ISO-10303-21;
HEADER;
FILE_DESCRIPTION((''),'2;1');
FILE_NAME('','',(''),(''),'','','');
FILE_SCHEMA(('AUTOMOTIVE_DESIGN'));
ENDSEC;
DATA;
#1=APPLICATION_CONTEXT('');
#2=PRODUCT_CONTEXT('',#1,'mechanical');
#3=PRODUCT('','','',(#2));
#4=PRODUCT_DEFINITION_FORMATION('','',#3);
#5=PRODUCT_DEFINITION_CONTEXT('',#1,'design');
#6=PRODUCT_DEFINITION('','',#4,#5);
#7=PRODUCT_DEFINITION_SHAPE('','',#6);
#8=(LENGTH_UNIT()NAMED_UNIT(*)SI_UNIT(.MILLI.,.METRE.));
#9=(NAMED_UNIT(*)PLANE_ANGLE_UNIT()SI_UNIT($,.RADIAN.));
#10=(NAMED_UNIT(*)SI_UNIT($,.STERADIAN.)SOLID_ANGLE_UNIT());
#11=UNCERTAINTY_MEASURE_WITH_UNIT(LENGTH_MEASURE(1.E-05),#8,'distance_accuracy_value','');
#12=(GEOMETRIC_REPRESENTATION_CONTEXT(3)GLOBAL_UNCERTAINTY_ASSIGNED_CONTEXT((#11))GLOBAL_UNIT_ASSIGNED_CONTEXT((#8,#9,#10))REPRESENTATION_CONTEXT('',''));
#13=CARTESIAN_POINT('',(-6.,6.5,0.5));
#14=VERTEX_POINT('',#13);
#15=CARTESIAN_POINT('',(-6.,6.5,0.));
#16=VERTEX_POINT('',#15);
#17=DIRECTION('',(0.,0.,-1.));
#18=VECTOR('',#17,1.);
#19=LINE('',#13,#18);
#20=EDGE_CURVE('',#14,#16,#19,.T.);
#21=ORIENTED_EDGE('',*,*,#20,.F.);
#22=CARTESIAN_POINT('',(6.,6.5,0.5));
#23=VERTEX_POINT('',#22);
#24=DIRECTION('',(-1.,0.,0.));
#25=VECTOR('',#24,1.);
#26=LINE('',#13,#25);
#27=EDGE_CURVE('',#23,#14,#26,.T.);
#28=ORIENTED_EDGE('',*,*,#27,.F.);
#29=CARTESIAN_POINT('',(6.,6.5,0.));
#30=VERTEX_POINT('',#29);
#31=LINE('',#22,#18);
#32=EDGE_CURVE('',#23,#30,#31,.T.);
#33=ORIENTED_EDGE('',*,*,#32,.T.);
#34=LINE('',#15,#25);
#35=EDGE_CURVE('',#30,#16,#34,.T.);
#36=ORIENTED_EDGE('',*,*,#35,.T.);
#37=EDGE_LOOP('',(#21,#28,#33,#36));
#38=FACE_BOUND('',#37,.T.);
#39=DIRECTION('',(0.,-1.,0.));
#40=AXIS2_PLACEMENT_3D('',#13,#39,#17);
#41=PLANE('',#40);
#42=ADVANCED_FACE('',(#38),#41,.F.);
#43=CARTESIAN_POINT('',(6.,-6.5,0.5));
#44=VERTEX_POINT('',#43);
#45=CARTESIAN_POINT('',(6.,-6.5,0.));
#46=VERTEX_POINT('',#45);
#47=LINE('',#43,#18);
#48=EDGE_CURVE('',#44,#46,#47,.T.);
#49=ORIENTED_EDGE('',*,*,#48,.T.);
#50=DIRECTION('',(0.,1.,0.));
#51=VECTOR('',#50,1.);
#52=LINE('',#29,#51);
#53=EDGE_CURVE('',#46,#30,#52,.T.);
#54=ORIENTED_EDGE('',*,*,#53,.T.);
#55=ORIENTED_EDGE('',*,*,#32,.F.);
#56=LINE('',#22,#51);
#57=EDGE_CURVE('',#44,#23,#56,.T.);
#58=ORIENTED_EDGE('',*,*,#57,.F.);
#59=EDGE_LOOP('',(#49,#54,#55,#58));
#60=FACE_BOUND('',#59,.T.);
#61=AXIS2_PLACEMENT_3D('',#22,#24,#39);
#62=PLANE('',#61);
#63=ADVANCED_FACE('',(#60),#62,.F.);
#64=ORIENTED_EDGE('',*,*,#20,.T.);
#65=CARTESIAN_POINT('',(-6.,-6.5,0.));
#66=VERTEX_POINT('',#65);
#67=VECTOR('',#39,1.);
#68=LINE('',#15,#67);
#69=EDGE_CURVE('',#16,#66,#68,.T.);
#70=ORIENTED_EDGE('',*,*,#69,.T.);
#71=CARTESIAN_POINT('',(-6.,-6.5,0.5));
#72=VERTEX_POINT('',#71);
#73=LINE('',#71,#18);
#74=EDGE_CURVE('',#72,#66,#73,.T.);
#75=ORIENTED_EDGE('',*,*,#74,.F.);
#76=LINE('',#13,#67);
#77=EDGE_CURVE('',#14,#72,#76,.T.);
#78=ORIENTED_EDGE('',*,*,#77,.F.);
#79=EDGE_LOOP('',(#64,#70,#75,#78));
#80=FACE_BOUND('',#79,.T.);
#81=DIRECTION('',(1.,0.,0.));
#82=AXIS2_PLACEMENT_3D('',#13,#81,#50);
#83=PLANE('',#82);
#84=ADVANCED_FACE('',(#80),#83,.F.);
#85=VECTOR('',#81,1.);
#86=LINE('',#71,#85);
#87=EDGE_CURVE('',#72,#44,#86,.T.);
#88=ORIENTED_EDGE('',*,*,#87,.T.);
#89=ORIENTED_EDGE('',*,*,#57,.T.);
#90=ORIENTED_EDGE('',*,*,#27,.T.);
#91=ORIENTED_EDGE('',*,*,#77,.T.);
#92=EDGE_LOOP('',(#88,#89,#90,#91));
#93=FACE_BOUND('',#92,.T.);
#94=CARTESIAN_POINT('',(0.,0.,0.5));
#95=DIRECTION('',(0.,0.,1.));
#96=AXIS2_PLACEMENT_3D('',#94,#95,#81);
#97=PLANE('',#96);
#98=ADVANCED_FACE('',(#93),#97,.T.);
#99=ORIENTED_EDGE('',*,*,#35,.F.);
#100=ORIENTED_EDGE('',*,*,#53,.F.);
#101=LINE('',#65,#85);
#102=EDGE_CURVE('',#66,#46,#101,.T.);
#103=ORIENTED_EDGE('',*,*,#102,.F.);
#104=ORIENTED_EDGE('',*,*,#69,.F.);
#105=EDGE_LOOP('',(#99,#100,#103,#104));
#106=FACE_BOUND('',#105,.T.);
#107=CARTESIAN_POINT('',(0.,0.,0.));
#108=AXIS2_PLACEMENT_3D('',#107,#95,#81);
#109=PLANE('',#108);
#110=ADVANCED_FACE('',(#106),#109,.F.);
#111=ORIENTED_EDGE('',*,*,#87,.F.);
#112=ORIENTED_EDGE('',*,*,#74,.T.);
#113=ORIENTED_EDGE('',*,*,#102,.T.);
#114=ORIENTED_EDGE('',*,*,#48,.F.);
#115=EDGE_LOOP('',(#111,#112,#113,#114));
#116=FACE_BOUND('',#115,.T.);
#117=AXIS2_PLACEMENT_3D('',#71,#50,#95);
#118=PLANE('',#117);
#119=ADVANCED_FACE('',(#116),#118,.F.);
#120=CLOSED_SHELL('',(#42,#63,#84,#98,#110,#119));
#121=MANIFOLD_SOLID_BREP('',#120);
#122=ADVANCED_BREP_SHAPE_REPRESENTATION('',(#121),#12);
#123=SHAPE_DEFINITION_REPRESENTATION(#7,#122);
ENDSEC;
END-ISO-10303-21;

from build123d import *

# Parameters (mm, degrees)
SKETCH_1_W      = 12
SKETCH_1_H      = 13
EXTRUDE_1_DEPTH = 0.5


with BuildPart() as part:
    # 草圖1 → 填料-伸長1 (new body)
    with BuildSketch(Plane.XY):
        Rectangle(SKETCH_1_W, SKETCH_1_H)
    extrude(amount=EXTRUDE_1_DEPTH)


solid = part.part
